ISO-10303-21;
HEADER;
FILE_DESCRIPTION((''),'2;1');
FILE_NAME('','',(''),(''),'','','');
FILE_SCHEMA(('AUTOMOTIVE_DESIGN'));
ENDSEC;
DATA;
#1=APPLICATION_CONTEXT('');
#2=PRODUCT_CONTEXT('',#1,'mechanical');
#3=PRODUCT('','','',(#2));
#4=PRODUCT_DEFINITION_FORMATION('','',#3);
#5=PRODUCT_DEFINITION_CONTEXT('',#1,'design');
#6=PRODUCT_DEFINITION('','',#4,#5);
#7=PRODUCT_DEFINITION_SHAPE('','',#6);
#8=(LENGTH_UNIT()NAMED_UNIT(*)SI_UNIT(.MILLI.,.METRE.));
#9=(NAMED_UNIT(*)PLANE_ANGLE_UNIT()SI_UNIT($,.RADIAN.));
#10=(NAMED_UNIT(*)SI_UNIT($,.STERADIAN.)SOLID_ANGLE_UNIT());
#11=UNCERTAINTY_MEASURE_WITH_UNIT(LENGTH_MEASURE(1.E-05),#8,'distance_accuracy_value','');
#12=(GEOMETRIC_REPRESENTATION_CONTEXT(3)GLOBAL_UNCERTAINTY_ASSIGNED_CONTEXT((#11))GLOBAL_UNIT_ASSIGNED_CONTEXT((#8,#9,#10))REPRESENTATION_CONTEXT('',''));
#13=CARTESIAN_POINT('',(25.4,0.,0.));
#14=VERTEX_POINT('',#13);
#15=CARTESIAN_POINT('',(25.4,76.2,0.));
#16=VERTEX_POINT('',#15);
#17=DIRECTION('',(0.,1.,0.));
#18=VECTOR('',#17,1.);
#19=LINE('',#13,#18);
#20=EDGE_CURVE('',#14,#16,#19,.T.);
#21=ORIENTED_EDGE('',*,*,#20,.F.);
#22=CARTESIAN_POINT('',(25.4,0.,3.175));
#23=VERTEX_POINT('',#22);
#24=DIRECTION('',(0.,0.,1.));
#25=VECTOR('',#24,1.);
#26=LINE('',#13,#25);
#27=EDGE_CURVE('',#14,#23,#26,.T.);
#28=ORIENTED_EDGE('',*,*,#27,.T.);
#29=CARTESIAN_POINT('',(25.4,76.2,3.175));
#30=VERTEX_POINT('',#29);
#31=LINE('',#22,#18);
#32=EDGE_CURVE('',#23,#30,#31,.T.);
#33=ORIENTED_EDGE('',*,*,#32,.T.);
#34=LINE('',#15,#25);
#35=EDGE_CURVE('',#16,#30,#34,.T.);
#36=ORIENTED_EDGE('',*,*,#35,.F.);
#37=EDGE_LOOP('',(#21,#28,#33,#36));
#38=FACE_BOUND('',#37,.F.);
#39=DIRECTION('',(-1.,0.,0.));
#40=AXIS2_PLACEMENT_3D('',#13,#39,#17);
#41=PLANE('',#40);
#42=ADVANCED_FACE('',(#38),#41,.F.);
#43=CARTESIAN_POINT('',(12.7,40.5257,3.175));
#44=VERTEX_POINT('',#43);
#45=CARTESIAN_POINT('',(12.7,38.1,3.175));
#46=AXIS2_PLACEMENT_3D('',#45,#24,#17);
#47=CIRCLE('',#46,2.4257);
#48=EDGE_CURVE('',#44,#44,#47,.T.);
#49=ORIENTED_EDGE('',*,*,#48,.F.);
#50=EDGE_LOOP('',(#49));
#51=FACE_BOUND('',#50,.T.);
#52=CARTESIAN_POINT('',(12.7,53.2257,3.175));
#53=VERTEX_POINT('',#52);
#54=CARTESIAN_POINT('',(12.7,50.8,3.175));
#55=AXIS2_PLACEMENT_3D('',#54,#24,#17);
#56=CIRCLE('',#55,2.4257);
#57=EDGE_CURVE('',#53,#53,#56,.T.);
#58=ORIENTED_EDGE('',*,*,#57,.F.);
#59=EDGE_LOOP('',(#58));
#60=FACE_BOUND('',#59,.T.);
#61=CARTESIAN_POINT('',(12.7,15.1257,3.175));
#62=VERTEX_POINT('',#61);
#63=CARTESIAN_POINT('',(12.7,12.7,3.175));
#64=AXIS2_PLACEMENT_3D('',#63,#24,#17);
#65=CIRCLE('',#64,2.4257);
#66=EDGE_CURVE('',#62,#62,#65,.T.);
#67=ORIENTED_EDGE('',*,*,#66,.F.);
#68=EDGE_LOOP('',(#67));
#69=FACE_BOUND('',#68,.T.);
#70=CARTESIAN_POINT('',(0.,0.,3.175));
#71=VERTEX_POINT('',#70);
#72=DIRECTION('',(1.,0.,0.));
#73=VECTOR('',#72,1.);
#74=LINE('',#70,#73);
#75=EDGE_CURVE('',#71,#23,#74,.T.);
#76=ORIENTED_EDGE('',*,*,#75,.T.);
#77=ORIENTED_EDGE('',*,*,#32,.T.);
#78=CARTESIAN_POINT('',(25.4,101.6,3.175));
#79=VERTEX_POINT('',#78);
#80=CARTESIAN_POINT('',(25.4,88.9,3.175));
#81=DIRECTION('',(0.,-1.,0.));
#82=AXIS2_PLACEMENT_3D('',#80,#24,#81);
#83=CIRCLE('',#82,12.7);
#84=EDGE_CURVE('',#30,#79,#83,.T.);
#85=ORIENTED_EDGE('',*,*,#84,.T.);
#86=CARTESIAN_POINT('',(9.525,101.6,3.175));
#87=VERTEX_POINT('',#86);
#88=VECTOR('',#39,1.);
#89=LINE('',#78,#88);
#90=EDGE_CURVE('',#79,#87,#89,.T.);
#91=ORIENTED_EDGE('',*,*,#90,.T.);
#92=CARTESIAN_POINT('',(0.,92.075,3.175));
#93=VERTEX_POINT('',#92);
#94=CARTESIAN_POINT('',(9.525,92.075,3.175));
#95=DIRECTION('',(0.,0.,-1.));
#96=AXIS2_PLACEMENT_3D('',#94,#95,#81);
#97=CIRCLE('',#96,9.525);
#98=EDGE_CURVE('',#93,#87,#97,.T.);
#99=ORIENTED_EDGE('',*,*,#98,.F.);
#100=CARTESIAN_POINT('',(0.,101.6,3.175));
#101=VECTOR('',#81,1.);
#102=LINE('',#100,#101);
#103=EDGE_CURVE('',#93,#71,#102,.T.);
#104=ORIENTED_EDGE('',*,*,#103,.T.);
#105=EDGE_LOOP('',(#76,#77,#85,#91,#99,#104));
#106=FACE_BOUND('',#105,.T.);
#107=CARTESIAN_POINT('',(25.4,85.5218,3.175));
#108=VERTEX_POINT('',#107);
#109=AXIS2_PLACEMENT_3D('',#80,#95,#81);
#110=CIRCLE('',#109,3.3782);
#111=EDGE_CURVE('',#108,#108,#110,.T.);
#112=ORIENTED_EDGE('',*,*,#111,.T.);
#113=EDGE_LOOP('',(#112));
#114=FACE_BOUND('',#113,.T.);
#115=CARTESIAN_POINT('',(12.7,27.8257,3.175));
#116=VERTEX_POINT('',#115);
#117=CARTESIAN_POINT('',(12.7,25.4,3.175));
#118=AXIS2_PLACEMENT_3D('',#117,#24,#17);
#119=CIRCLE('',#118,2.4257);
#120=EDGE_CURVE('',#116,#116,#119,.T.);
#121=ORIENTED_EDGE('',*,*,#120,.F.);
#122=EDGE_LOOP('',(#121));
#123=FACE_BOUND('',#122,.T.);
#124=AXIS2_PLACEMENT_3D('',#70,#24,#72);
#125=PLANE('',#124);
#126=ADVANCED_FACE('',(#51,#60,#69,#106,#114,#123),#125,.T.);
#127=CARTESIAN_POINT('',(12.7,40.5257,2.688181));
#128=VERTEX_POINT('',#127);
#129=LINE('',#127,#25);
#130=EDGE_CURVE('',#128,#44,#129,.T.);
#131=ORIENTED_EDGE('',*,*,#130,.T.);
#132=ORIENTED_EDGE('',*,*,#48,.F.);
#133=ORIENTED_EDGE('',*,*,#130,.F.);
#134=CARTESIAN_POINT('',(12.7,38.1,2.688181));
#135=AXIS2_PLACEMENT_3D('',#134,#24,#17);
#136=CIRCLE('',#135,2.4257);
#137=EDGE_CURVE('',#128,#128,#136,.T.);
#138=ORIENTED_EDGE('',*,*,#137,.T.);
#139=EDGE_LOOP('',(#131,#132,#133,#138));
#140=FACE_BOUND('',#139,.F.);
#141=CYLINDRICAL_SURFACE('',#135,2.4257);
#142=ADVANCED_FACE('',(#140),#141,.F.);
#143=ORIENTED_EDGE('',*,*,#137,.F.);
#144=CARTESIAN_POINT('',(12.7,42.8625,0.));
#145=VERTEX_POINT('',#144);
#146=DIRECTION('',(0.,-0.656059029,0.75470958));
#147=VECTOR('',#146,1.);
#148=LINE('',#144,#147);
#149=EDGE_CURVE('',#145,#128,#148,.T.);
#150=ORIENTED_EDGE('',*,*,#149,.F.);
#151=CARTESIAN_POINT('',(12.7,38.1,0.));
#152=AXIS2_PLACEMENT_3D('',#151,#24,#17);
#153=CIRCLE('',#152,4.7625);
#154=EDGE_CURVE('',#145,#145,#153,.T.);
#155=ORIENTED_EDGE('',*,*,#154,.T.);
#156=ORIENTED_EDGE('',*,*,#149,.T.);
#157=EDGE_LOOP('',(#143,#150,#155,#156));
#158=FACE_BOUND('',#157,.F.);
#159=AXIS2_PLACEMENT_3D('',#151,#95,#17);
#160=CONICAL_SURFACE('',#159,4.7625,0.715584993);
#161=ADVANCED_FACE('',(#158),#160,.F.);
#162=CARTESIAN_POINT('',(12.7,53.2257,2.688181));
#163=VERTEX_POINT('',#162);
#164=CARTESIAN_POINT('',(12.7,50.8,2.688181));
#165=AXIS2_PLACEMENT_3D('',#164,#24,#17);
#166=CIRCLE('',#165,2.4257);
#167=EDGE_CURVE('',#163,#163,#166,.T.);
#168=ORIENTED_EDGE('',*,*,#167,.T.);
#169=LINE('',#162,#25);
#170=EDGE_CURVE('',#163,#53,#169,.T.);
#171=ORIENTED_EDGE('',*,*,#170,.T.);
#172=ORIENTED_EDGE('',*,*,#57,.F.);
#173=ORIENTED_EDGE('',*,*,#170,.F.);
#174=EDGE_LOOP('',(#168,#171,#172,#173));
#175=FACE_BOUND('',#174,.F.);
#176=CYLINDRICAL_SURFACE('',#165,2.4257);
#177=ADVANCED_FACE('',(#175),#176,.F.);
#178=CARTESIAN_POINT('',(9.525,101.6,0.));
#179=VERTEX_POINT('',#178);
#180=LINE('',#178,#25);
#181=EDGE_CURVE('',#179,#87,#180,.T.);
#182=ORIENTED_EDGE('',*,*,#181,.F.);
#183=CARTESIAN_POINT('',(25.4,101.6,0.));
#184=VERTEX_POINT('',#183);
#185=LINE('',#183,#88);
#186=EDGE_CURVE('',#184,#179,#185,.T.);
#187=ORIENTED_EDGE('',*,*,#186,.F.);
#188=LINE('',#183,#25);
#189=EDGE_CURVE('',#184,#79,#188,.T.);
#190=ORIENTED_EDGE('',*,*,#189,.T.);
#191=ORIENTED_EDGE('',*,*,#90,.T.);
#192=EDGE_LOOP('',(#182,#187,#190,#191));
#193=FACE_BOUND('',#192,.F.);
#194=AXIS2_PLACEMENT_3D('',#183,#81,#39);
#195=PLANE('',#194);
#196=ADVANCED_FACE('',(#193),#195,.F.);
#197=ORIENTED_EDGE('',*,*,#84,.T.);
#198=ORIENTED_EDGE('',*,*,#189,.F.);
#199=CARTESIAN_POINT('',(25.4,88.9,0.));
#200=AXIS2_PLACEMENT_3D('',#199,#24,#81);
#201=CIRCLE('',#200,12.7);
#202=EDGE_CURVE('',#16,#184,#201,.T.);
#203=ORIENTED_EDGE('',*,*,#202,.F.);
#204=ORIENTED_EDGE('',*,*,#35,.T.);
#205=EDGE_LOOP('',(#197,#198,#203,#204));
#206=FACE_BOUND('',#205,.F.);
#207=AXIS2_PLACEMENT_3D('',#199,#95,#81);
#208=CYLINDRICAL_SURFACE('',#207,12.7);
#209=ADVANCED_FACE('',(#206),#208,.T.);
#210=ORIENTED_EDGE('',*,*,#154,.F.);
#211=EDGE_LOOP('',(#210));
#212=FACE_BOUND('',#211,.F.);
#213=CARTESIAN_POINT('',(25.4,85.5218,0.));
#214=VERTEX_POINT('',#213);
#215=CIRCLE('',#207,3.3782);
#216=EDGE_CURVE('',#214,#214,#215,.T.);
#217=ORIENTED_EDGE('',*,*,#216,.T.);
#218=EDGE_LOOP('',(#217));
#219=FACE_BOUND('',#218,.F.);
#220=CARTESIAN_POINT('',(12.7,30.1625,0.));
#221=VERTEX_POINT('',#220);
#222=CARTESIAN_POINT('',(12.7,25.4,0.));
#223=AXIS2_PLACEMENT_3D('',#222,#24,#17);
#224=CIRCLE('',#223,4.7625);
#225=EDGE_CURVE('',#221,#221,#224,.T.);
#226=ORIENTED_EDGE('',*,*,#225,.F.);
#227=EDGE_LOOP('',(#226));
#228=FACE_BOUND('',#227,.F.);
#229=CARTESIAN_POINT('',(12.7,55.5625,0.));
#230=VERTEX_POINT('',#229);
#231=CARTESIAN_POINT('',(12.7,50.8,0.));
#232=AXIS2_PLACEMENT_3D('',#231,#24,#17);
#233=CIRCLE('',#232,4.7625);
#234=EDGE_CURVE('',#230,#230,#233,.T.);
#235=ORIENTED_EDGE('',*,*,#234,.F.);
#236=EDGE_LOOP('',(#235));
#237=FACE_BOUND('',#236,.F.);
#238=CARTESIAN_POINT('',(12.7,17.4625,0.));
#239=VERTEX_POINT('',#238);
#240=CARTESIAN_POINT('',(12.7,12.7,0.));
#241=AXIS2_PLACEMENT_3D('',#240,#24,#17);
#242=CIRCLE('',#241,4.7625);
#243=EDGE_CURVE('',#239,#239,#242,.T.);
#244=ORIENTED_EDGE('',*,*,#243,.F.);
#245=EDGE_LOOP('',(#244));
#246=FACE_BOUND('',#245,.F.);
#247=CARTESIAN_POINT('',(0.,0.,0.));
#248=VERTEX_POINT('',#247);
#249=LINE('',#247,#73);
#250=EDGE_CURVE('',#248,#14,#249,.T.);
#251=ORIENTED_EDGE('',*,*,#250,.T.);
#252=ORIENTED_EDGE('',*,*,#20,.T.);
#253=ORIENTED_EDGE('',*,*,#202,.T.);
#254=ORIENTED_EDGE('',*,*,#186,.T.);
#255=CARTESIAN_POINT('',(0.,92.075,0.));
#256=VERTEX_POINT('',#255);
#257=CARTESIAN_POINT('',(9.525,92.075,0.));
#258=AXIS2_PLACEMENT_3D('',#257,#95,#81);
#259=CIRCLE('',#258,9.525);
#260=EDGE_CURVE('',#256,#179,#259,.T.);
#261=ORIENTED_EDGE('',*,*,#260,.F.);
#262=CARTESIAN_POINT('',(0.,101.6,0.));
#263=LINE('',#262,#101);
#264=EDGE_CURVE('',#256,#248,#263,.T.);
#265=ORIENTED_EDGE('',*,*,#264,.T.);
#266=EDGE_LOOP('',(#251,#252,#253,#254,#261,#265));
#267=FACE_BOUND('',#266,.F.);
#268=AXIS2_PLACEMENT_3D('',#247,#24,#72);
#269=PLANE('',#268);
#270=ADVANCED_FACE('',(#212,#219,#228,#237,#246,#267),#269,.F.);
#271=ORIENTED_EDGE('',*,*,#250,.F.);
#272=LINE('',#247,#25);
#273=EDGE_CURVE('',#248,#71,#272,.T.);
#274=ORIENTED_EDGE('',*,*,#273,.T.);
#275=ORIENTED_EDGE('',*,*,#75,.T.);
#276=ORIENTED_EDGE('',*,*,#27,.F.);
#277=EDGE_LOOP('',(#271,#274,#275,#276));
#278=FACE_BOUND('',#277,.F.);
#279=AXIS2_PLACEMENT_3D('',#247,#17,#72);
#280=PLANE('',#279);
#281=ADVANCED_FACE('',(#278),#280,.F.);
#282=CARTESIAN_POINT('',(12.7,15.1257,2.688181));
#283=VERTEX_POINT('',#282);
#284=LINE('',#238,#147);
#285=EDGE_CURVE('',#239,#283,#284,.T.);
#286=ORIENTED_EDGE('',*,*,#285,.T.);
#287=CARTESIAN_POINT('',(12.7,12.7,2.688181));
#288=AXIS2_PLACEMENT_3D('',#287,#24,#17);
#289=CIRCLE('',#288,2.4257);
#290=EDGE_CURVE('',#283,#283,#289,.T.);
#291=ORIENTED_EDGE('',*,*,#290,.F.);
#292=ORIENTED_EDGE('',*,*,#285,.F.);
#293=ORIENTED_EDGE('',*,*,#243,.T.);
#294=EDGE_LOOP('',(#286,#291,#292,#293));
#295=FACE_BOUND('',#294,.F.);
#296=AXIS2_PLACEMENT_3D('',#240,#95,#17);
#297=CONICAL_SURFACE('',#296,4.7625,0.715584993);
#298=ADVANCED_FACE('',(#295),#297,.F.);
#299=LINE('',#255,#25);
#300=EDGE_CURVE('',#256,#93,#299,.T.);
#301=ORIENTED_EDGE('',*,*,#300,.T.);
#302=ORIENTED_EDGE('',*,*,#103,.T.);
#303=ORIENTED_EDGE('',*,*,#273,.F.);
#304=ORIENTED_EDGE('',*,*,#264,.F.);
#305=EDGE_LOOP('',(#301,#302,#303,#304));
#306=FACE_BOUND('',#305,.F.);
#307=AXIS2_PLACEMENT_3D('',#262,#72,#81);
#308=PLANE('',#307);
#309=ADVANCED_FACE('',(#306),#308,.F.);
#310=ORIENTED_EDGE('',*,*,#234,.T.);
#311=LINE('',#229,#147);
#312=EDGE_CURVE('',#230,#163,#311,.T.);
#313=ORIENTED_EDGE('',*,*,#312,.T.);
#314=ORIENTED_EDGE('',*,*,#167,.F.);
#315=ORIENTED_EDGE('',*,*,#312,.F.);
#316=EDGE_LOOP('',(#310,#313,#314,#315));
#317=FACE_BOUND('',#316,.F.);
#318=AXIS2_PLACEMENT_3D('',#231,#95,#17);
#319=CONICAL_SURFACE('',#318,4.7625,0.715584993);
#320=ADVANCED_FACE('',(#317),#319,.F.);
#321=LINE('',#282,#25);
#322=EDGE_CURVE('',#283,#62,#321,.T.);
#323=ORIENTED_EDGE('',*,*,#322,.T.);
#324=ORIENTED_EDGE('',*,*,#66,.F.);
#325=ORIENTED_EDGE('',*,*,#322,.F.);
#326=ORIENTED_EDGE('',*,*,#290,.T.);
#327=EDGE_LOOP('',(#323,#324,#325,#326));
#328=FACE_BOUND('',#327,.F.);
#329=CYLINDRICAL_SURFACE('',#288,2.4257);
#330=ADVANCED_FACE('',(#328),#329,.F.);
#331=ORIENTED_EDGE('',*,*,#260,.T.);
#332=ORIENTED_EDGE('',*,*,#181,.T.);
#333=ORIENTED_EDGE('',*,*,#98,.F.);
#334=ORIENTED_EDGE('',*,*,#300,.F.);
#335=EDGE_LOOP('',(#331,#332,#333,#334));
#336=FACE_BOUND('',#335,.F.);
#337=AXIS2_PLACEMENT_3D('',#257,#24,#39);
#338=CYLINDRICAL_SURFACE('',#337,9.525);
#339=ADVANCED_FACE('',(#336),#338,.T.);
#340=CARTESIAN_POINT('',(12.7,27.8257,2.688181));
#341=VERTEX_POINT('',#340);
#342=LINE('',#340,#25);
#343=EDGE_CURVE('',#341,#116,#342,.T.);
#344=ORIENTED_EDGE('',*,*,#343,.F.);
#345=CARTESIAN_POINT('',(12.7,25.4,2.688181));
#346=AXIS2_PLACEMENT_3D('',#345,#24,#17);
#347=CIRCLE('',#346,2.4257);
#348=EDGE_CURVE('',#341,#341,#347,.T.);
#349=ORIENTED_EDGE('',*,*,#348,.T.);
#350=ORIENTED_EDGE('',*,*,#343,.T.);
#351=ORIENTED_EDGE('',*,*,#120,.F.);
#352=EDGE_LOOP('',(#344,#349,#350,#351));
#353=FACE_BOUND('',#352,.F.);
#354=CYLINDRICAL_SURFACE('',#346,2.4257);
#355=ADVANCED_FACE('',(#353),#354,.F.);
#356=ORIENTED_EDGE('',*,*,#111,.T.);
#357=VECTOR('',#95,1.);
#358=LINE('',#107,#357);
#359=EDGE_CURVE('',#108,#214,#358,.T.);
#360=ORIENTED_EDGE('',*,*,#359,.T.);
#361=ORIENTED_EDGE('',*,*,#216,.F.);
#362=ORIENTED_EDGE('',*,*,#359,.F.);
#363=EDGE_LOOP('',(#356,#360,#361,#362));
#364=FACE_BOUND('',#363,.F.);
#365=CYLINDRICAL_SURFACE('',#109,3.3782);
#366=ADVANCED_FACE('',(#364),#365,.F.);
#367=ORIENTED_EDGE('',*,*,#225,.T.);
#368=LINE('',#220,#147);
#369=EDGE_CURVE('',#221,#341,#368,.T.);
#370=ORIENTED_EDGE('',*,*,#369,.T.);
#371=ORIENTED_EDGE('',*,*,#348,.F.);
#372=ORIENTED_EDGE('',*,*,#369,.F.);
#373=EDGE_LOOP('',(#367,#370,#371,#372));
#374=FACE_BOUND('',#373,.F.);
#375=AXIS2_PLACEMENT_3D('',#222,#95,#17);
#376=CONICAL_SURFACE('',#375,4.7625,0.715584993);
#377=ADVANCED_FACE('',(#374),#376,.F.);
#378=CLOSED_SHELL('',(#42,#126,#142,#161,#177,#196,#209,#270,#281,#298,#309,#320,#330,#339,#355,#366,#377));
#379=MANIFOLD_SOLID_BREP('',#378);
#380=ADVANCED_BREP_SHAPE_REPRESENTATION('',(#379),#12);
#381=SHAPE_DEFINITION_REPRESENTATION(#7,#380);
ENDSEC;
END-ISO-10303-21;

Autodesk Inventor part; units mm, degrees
ref_plane "YZ Plane" through (0, 0, 0) normal (1, 0, 0) x (0, 1, 0)
ref_plane "XZ Plane" through (0, 0, 0) normal (0, 1, 0) x (-1, 0, 0)
ref_plane "XY Plane" through (0, 0, 0) normal (0, 0, 1) x (1, 0, 0)
sketch "Sketch1" plane through (0, 0, 0) normal (0, 0, 1) x (1, 0, 0)
  line L0 (0, 0) -> (25.4, 0)
  line L1 (25.4, 0) -> (25.4, 101.6)
  line L2 (25.4, 101.6) -> (0, 101.6)
  line L3 (0, 101.6) -> (0, 0)
  arc A0 (25.4, 76.2) -> (25.4, 101.6) centre (25.4, 88.9) ccw
  dimension "d0" = 101.6
  dimension "d1" = 25.4
  dimension "d2" = 25.4
extrude "Extrusion1" add sketch "Sketch1" along normal blind 3.175
sketch "Sketch4" plane through (0, 0, 3.175) normal (0, 0, 1) x (1, 0, 0)
  line L0 (25.4, 0) -> (25.4, 76.2) projected
  arc A0 (25.4, 76.2) -> (25.4, 101.6) centre (25.4, 88.9) ccw projected
  point P0 (0, 0)
hole "Hole2" at (25.4, 88.9, 3.175) direction (0, 0, -1) diameter 6.7564 end through all clearance for "Flat Head Machine Screw (82)" size "1/4" standard "Ansi Unified Screw Threads"
fillet "Fillet1" radius 9.525 1 edges at (0, 101.6, 1.5875)
sketch "Sketch6" plane through (0, 0, 0) normal (0, 0, -1) x (-1, 0, 0)
  line L0 (-9.525, 101.6) -> (-25.4, 101.6) projected
  line L1 (0, 92.075) -> (0, 0) projected
  point P0 (-12.7, 50.8)
  dimension "d52" = 50.8
  dimension "d63" = 12.7
hole "Hole3" at (12.7, 50.8, 0) direction (0, 0, 1) diameter 4.8514 end through all countersink diameter 9.525 countersink angle 82
pattern_linear "Rectangular Pattern1" count 4 spacing 12.7 along (0, -1, 0) of "Hole3"
equation "\"d2\" = d1"
properties part number "CLB_027_LifterBracketLeft" material "Aluminum 6061"
